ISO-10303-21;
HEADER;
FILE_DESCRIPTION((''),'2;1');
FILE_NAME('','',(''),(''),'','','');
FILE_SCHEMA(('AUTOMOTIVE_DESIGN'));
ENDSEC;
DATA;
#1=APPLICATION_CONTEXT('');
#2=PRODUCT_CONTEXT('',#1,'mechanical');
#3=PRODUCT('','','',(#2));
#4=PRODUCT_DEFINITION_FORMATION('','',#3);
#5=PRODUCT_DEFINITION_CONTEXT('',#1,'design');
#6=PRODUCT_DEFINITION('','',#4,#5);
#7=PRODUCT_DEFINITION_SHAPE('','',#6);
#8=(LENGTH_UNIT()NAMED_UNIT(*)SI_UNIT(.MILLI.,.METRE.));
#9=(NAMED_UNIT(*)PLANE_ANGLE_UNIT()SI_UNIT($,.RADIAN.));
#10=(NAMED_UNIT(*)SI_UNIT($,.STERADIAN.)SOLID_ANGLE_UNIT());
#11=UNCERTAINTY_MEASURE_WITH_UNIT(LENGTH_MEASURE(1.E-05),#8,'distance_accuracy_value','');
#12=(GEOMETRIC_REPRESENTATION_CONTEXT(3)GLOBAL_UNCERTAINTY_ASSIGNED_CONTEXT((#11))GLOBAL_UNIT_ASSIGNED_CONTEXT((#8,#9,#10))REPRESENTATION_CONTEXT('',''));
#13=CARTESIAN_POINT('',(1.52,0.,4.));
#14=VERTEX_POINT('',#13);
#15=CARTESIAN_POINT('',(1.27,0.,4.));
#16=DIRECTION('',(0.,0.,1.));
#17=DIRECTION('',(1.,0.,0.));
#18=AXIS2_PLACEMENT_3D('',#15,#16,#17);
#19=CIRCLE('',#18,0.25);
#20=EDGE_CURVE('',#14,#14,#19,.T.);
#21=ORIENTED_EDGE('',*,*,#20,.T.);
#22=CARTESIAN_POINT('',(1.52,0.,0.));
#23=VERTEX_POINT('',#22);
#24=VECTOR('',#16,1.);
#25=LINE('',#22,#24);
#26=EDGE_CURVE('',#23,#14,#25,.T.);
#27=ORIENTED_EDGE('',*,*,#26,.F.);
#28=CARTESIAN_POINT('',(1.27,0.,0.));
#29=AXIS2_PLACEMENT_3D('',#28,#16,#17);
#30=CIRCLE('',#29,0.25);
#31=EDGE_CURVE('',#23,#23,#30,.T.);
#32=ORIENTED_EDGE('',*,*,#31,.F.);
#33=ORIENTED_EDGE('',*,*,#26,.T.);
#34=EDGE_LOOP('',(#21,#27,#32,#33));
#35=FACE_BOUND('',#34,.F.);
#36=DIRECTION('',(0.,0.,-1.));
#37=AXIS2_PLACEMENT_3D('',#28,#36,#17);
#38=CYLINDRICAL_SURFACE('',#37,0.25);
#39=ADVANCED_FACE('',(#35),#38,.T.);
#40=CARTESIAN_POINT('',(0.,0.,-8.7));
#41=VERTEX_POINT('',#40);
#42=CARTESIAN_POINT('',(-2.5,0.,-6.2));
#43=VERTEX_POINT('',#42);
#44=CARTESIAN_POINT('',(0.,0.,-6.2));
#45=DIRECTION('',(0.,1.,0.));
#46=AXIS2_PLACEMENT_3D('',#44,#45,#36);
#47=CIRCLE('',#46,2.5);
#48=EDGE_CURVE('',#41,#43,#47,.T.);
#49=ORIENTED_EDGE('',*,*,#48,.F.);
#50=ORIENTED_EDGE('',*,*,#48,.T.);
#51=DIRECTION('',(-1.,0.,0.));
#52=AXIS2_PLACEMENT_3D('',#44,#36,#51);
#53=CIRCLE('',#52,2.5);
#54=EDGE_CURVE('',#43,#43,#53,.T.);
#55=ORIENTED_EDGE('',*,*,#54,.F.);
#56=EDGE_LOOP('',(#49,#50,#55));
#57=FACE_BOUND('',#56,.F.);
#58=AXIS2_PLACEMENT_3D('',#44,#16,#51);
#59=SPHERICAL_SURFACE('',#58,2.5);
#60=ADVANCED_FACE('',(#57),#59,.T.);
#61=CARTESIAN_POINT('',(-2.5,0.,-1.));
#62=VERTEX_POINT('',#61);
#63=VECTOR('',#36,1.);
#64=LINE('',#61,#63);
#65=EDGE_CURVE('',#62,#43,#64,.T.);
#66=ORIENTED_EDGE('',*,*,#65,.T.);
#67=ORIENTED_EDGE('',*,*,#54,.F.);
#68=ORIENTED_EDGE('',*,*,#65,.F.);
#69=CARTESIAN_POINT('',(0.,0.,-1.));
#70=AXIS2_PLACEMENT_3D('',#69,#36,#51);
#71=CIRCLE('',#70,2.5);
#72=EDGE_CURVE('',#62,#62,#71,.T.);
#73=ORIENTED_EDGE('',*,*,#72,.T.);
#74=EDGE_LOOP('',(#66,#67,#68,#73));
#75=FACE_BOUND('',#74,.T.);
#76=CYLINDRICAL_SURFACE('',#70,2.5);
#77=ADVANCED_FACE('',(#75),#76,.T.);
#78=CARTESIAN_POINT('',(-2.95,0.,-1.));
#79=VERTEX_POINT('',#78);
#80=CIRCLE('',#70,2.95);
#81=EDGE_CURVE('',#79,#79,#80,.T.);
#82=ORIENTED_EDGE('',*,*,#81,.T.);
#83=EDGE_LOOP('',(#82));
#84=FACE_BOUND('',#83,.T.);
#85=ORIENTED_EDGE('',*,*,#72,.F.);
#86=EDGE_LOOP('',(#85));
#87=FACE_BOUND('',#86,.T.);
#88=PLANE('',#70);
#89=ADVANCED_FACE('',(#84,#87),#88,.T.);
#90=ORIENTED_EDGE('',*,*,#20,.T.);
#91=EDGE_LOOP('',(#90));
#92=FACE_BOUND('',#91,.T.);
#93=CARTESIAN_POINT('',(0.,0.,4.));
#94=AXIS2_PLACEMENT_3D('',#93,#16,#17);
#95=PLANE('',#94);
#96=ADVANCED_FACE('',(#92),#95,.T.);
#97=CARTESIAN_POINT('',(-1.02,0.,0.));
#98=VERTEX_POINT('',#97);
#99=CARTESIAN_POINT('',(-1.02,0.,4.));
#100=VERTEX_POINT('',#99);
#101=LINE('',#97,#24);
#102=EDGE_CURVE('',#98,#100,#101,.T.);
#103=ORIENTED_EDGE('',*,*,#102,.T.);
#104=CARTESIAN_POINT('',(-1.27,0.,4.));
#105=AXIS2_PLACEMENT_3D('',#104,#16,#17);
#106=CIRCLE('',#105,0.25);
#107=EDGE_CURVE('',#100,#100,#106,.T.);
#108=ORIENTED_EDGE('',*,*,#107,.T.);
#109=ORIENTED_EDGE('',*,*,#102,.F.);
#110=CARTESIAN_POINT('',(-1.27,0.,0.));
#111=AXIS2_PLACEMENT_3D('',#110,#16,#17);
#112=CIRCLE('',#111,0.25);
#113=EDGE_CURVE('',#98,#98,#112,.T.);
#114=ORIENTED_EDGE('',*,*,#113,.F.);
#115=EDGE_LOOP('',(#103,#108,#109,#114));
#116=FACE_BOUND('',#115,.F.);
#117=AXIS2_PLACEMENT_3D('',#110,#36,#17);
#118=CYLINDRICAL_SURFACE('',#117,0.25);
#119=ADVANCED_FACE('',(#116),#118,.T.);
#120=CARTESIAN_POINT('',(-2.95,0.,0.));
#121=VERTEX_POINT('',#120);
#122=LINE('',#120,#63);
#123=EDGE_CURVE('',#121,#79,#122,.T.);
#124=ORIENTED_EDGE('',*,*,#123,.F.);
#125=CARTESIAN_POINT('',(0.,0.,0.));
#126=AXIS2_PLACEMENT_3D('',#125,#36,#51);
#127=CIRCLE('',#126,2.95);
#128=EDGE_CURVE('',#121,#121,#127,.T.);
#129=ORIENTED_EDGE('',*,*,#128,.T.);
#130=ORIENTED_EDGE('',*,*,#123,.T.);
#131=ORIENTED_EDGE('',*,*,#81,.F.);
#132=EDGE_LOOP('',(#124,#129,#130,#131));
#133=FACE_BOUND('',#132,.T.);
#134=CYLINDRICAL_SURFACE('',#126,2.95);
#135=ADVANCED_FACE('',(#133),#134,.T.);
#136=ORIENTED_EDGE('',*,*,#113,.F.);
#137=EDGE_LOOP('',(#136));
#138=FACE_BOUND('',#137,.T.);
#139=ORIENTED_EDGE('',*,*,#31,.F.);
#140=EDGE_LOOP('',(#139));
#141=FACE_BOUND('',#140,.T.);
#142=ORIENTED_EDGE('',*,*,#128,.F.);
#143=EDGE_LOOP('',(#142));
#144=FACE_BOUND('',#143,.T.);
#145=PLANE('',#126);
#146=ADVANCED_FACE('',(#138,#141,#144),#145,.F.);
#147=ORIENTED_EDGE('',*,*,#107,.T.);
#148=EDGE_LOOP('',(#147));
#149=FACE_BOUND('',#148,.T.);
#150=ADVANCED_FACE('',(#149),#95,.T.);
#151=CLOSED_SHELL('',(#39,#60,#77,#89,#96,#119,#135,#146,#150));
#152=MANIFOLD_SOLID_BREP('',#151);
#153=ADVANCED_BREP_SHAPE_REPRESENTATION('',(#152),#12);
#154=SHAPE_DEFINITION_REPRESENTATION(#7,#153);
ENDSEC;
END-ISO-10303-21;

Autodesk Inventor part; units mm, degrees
ref_plane "YZ Plane" through (0, 0, 0) normal (1, 0, 0) x (0, 1, 0)
ref_plane "XZ Plane" through (0, 0, 0) normal (0, 1, 0) x (-1, 0, 0)
ref_plane "XY Plane" through (0, 0, 0) normal (0, 0, 1) x (1, 0, 0)
sketch "Sketch1" plane through (0, 0, 0) normal (0, 1, 0) x (-1, 0, 0)
  line L0 (0, 0) -> (0, -8.7)
  line L1 (0, 0) -> (2.95, 0)
  line L2 (2.95, 0) -> (2.95, -1)
  line L3 (2.95, -1) -> (2.5, -1)
  line L4 (2.5, -1) -> (2.5, -6.2)
  arc A0 (0, -8.7) -> (2.5, -6.2) centre (0, -6.2) ccw
  dimension "d0" = 8.7
  dimension "d1" = 5.9
  dimension "d2" = 1
  dimension "d3" = 5
revolve "Revolution1" add sketch "Sketch1" angle 360 about axis through (0, 0, 0) along (0, 0, -1)
sketch "Sketch2" plane through (0, 0, 0) normal (0, 0, 1) x (1, 0, 0)
  circle A0 centre (-1.27, 0) radius 0.25
  circle A1 centre (1.27, 0) radius 0.25
  point P0 (0, 0)
  dimension "d5" = 2.54
  dimension "d6" = 1.27
  dimension "d7" = 0.5
  dimension "d8" = 0.5
extrude "Extrusion1" add sketch "Sketch2" along normal blind 4
equation "\"d6\" = 0.5 * d5"
properties part number "ledka" material "Glass"
